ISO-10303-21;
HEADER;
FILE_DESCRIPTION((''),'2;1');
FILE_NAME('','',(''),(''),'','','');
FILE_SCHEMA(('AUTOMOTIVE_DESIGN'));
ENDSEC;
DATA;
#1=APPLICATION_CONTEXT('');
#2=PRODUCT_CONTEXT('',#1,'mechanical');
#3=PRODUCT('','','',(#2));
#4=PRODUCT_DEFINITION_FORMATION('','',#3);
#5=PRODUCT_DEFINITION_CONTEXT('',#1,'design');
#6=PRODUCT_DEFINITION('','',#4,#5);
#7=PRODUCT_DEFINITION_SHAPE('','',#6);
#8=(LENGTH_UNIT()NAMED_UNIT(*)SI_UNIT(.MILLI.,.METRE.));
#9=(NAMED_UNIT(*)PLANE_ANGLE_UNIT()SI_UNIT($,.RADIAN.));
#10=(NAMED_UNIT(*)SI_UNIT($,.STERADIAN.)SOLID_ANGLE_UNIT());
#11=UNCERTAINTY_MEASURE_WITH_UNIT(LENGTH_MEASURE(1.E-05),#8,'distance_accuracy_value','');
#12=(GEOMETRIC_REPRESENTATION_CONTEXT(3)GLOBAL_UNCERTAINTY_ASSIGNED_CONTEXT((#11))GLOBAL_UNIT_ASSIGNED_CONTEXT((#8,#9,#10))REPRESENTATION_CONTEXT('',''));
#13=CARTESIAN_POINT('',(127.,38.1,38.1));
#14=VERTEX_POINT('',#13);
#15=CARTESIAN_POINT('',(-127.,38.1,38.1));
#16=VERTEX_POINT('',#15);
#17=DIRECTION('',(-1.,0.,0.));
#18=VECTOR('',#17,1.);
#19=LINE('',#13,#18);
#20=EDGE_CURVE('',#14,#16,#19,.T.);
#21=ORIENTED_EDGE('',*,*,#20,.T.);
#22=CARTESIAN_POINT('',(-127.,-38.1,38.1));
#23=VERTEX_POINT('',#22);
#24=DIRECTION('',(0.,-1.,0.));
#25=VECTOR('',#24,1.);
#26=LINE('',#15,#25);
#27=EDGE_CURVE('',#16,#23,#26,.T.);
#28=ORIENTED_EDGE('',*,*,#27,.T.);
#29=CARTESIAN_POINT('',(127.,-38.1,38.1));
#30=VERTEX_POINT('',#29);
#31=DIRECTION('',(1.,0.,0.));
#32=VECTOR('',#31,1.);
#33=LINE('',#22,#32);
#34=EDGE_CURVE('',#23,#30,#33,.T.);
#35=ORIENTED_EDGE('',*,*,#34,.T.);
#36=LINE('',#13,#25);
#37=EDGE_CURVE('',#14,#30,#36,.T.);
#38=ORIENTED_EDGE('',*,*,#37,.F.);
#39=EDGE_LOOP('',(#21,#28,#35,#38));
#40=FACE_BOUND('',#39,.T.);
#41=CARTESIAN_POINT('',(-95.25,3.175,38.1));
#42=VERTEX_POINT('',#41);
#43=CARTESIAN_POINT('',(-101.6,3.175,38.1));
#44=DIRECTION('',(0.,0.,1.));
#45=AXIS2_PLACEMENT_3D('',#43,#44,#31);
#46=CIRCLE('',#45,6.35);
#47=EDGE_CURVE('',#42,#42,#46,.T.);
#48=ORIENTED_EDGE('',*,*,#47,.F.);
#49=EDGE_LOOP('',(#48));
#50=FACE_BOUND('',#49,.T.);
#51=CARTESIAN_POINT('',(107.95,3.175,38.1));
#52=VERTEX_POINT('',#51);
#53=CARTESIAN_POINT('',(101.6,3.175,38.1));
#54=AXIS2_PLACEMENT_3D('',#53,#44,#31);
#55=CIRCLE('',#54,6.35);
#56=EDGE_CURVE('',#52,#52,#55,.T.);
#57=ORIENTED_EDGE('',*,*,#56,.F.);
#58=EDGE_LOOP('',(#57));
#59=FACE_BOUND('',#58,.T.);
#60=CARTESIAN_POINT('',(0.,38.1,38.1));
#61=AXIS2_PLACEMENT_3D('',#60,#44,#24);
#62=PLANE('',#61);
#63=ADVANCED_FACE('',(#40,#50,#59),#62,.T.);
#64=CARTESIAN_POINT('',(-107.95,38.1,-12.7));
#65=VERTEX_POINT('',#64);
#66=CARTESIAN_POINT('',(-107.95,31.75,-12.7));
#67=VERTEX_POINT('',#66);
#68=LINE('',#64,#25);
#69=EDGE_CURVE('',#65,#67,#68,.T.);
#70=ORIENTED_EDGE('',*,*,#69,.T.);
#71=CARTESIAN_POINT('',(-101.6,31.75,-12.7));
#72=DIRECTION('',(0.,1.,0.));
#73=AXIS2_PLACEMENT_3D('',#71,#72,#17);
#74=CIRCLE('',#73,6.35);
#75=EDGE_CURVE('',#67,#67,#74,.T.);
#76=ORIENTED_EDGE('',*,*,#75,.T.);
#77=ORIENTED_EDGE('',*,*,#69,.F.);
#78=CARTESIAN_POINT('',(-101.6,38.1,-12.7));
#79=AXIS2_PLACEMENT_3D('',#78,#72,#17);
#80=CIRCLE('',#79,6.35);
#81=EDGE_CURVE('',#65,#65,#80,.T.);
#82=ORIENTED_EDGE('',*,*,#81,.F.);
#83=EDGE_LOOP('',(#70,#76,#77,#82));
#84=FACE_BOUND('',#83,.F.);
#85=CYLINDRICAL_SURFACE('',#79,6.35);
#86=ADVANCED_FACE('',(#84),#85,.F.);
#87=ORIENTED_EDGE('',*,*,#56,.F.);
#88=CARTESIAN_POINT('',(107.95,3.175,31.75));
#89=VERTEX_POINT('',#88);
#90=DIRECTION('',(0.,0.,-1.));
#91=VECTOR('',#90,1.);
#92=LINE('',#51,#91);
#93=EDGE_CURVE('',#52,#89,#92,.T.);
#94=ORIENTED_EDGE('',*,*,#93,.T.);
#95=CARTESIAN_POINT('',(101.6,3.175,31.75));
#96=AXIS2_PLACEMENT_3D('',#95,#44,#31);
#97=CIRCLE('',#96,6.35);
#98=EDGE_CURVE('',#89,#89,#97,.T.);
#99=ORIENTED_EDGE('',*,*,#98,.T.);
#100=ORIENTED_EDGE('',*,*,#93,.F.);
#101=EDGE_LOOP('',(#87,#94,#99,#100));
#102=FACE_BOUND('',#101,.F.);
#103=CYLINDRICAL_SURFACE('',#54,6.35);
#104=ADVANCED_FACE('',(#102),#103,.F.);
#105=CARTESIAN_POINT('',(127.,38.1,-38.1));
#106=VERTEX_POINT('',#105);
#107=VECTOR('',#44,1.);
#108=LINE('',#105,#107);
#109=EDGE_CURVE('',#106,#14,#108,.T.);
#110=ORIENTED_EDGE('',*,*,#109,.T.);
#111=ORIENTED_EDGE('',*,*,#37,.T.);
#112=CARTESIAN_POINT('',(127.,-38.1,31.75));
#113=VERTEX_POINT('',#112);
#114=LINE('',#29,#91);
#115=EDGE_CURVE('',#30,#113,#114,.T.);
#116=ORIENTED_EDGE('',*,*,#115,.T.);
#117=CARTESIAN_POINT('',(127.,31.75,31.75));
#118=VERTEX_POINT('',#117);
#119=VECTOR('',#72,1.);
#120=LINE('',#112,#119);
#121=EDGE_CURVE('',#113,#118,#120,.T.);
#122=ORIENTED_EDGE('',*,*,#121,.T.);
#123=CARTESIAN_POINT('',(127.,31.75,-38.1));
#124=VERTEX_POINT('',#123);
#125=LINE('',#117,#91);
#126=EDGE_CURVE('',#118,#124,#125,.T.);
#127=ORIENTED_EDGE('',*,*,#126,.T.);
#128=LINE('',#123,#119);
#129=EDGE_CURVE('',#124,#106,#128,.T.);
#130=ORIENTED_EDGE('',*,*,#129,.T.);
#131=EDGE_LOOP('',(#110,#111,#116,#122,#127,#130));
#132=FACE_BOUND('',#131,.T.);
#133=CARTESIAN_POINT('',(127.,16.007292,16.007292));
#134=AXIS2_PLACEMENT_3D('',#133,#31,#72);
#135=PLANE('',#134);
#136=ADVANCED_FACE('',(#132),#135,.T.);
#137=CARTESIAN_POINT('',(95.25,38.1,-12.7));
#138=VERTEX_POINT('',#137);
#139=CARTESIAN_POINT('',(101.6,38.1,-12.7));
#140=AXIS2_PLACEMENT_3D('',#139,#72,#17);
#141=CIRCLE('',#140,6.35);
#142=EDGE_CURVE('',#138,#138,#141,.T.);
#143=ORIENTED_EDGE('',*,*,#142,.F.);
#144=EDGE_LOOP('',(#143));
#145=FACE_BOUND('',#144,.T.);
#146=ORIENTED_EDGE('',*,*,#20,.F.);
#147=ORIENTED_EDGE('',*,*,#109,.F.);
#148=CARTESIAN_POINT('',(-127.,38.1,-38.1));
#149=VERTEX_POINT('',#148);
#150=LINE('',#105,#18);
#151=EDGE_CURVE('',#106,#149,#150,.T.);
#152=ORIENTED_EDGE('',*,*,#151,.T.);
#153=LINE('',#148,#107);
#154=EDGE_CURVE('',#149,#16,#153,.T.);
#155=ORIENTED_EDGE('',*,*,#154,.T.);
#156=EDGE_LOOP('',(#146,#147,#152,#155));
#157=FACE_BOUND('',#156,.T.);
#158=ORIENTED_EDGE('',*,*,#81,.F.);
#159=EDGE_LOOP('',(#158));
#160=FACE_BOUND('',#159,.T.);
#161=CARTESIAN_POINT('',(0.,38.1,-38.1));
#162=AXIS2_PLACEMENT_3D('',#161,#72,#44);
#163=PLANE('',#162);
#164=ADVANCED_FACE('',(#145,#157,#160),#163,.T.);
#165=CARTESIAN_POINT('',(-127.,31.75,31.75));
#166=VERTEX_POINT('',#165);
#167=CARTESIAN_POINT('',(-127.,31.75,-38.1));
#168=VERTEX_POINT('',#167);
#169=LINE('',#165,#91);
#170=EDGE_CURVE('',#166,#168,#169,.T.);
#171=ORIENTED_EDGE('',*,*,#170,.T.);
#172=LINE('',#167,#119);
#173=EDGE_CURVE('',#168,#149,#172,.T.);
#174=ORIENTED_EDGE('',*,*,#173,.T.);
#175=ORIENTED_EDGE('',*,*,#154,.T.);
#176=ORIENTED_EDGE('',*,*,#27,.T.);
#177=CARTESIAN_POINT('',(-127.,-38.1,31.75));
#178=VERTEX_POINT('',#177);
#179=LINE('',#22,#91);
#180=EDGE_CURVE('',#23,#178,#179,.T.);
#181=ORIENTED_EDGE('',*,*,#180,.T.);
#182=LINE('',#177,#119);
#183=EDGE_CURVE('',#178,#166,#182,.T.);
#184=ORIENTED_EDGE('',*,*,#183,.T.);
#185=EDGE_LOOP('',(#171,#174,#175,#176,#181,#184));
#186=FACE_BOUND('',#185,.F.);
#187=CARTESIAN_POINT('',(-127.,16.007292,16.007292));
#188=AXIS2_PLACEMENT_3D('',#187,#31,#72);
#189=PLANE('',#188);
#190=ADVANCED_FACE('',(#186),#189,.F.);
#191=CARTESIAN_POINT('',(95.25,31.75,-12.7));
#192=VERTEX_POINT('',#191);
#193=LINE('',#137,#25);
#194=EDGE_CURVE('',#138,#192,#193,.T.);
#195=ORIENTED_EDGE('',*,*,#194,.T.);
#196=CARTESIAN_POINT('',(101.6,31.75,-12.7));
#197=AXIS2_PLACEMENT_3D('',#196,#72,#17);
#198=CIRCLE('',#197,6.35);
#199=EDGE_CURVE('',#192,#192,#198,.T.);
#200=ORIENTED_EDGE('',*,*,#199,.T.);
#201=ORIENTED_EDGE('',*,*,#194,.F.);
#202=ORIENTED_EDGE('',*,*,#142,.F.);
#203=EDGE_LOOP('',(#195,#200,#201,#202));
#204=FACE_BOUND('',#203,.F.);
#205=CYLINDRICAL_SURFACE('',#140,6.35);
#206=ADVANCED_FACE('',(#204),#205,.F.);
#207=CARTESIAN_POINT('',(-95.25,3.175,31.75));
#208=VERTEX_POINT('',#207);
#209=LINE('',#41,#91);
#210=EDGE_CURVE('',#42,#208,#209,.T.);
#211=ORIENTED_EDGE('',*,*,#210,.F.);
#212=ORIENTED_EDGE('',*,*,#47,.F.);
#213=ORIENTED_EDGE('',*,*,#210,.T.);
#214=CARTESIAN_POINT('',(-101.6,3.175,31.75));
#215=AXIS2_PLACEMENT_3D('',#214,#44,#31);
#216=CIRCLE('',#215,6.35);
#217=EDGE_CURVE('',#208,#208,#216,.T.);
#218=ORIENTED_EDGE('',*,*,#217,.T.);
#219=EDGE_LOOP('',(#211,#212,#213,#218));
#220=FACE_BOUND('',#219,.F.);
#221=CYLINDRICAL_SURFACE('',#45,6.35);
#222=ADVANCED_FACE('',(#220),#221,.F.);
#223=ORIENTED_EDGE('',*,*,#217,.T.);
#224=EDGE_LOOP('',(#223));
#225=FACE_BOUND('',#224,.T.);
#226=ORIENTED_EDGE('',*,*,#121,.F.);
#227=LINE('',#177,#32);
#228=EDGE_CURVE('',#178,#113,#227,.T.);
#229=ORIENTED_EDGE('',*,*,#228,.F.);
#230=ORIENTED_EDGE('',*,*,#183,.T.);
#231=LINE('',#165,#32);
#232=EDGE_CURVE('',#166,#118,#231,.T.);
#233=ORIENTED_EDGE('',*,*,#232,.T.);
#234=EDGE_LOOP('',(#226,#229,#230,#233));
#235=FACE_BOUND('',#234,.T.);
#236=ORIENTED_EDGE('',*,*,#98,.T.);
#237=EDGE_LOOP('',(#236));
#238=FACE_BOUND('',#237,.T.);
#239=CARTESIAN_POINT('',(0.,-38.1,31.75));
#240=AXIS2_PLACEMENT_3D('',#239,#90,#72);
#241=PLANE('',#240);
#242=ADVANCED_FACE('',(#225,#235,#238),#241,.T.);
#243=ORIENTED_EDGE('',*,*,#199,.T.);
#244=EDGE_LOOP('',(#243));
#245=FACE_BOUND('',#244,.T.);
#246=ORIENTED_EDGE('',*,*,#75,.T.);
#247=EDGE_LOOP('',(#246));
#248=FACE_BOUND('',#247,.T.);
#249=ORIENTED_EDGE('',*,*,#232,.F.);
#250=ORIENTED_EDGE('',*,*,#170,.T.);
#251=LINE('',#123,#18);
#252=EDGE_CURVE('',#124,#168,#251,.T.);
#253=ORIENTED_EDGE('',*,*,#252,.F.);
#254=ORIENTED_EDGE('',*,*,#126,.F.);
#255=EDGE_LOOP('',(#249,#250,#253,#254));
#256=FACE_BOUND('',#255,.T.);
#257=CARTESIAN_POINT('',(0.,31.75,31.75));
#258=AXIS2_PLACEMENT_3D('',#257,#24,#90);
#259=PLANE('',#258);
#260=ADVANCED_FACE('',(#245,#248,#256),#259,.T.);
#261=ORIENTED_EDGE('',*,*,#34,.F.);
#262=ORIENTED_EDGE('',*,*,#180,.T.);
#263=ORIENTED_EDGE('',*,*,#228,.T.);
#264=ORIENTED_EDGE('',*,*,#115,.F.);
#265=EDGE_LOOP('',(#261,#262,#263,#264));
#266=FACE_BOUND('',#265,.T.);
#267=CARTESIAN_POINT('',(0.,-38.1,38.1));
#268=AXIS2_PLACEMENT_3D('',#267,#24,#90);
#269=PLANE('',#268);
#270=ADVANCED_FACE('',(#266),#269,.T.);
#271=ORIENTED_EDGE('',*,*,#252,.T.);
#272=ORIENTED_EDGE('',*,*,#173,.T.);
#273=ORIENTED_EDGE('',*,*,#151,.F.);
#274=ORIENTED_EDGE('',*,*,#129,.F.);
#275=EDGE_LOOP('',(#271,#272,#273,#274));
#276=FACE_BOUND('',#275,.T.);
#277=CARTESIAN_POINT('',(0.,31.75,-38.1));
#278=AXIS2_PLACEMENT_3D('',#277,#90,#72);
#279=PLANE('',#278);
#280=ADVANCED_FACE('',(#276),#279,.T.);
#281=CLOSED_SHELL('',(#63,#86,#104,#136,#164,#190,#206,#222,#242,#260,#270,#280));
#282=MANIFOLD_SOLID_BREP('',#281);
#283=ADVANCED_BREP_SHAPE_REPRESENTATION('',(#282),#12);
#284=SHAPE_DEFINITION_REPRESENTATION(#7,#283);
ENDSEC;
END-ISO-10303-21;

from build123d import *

# Parameters (mm, degrees)
F1_DEPTH = 127
F2_R     = 6.35
F3_DEPTH = 6.35
F4_R     = 6.35
F5_DEPTH = 6.35


with BuildPart() as f1:
    # F0 (on Right) → F1 (new body, symmetric)
    with BuildSketch(Plane.YZ):
        Polygon((38.1, 38.1), (-38.1, 38.1), (-38.1, 31.75), (31.75, 31.75), (31.75, -38.1), (38.1, -38.1), align=None)
    extrude(amount=F1_DEPTH, both=True)

    # F2 (on face) → F3 (cut, through all)
    with BuildSketch(Plane(origin=(0, 38.1, 0), x_dir=(-1, 0, 0), z_dir=(0, 1, 0))):
        with Locations((-101.6, -12.7)):
            Circle(F2_R)
        with Locations((101.6, -12.7)):
            Circle(F2_R)
    extrude(amount=-F3_DEPTH, mode=Mode.SUBTRACT)

    # F4 (on face) → F5 (cut, through all)
    with BuildSketch(Plane.XY.offset(38.1)):
        with Locations((-101.6, 3.175)):
            Circle(F4_R)
        with Locations((101.6, 3.175)):
            Circle(F4_R)
    extrude(amount=-F5_DEPTH, mode=Mode.SUBTRACT)


solid = f1.part
